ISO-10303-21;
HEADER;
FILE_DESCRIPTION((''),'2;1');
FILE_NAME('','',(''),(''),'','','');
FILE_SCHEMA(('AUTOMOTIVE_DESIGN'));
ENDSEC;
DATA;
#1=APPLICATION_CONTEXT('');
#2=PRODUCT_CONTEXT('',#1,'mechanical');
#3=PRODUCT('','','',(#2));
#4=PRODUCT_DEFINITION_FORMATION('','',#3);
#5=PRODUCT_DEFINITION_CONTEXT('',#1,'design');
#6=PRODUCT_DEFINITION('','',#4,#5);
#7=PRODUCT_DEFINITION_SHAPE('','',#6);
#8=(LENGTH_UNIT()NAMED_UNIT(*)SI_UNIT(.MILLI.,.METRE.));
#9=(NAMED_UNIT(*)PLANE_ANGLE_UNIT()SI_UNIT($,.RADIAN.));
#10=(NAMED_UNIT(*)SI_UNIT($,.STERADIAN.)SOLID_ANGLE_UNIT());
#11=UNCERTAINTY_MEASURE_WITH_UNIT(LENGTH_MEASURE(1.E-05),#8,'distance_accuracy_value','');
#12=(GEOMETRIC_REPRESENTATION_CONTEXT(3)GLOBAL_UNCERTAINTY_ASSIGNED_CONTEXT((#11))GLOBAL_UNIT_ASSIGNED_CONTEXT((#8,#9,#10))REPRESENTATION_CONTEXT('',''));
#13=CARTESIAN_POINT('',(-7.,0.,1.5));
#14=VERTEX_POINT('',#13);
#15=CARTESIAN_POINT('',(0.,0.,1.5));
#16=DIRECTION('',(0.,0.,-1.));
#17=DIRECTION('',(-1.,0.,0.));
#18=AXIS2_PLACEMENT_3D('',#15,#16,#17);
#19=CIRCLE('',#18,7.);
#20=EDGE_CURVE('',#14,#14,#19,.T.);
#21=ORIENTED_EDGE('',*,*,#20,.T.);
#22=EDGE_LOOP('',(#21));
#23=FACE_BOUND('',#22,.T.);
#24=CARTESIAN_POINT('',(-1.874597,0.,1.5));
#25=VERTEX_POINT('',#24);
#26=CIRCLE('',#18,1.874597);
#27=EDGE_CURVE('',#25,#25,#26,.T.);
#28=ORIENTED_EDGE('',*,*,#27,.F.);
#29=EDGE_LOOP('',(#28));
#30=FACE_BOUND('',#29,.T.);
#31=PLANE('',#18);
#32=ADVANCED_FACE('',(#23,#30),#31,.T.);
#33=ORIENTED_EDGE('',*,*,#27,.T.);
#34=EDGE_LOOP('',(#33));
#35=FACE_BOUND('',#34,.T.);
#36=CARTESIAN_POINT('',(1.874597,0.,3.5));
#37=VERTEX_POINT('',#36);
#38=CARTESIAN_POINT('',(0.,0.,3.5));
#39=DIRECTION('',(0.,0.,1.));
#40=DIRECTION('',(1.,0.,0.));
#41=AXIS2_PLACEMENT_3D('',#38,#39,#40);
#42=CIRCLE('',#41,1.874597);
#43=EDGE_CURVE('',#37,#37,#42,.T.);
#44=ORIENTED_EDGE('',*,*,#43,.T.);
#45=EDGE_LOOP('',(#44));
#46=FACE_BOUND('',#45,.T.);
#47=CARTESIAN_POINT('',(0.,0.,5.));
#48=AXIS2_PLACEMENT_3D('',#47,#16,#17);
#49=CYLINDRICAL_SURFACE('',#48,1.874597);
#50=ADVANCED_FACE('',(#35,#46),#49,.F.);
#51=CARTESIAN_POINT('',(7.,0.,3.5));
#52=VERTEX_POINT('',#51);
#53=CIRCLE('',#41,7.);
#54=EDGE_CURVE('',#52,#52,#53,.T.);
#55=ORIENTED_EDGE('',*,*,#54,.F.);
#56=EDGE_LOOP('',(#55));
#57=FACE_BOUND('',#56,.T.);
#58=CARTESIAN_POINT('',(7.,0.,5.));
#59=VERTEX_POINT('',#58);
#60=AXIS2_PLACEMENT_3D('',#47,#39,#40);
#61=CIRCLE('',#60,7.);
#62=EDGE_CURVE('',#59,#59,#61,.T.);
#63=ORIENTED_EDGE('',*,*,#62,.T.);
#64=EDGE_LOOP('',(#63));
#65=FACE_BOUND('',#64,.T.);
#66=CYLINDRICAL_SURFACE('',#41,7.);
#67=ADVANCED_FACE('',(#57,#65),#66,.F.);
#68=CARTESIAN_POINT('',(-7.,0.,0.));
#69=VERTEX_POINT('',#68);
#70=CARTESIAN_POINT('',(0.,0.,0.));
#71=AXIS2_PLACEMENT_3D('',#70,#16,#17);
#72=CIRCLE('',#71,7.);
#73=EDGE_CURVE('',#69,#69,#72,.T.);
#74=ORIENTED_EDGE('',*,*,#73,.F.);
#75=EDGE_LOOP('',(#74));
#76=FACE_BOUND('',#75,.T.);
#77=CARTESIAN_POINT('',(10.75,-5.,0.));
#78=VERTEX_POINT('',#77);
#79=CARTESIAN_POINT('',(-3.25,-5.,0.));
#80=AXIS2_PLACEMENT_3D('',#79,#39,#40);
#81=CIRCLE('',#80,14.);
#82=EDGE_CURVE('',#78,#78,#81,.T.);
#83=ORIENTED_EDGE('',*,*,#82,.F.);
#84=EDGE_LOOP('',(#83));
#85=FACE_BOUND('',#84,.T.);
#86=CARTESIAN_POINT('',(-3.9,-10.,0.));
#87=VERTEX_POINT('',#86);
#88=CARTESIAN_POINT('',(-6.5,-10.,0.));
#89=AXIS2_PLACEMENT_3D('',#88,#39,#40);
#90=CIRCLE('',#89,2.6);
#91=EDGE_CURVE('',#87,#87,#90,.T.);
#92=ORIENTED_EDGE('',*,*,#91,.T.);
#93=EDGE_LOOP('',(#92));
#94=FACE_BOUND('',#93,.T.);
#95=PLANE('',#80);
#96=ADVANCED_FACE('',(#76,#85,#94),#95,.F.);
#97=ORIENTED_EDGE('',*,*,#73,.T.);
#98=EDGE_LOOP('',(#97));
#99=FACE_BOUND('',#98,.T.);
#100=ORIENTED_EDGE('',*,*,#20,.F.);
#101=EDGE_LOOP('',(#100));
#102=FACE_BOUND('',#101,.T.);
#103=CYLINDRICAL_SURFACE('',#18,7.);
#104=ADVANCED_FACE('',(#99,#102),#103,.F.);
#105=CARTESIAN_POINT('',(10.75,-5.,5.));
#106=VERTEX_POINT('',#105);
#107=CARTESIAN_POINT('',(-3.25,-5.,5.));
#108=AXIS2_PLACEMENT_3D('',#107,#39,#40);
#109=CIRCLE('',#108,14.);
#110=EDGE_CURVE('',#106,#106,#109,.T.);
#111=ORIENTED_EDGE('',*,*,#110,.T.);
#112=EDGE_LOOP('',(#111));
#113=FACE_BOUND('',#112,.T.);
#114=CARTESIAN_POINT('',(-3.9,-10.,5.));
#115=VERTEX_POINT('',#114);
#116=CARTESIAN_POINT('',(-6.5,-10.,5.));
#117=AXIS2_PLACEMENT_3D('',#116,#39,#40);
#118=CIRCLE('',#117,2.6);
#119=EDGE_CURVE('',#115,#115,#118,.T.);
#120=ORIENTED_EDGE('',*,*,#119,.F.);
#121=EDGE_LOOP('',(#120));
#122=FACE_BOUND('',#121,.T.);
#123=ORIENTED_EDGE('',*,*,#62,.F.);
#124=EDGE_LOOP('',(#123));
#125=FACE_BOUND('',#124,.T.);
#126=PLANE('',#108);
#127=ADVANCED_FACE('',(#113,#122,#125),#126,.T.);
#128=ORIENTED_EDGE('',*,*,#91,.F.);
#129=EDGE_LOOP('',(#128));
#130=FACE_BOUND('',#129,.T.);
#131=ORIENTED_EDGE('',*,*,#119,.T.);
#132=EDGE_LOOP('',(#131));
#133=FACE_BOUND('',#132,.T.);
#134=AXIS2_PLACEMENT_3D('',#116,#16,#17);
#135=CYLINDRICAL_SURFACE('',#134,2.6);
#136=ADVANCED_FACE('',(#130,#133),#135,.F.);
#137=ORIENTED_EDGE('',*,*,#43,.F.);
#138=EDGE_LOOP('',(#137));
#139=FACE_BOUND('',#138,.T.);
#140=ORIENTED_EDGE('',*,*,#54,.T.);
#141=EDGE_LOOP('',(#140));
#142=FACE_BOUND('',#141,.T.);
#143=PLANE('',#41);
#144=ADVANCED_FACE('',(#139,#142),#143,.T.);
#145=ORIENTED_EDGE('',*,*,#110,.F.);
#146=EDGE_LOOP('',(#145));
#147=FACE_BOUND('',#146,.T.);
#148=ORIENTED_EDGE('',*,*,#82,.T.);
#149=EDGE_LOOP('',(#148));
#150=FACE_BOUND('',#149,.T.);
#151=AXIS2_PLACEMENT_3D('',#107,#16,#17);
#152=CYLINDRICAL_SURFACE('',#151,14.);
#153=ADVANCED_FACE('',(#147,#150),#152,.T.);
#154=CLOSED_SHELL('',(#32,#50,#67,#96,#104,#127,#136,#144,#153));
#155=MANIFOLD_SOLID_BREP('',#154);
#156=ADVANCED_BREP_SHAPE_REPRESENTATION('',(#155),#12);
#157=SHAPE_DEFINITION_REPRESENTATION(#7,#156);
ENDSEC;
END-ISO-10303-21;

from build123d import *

# Parameters (mm, degrees)
ESQUISSE1_R             = 14
ESQUISSE1_R_2           = 1.874597255
ESQUISSE1_R_3           = 2.6
BOSS_EXTRU_1_DEPTH      = 5
ESQUISSE2_R             = 7
ENL_V_MAT_EXTRU_1_DEPTH = 1.5
ESQUISSE3_R             = 7
ENL_V_MAT_EXTRU_2_DEPTH = 1.5


with BuildPart() as part:
    # Esquisse1 → Boss.-Extru.1 (new body)
    with BuildSketch(Plane.XY):
        with Locations((-3.25, -5)):
            Circle(ESQUISSE1_R)
        Circle(ESQUISSE1_R_2, mode=Mode.SUBTRACT)
        with Locations((-6.5, -10)):
            Circle(ESQUISSE1_R_3, mode=Mode.SUBTRACT)
    extrude(amount=BOSS_EXTRU_1_DEPTH)

    # Esquisse2 → Enlèv. mat.-Extru.1 (cut)
    with BuildSketch(Plane.XY.offset(5)):
        Circle(ESQUISSE2_R)
    extrude(amount=-ENL_V_MAT_EXTRU_1_DEPTH, mode=Mode.SUBTRACT)

    # Esquisse3 → Enlèv. mat.-Extru.2 (cut)
    with BuildSketch(Plane(origin=(0, 0, 0), x_dir=(-1, 0, 0), z_dir=(0, 0, -1))):
        Circle(ESQUISSE3_R)
    extrude(amount=-ENL_V_MAT_EXTRU_2_DEPTH, mode=Mode.SUBTRACT)


solid = part.part
